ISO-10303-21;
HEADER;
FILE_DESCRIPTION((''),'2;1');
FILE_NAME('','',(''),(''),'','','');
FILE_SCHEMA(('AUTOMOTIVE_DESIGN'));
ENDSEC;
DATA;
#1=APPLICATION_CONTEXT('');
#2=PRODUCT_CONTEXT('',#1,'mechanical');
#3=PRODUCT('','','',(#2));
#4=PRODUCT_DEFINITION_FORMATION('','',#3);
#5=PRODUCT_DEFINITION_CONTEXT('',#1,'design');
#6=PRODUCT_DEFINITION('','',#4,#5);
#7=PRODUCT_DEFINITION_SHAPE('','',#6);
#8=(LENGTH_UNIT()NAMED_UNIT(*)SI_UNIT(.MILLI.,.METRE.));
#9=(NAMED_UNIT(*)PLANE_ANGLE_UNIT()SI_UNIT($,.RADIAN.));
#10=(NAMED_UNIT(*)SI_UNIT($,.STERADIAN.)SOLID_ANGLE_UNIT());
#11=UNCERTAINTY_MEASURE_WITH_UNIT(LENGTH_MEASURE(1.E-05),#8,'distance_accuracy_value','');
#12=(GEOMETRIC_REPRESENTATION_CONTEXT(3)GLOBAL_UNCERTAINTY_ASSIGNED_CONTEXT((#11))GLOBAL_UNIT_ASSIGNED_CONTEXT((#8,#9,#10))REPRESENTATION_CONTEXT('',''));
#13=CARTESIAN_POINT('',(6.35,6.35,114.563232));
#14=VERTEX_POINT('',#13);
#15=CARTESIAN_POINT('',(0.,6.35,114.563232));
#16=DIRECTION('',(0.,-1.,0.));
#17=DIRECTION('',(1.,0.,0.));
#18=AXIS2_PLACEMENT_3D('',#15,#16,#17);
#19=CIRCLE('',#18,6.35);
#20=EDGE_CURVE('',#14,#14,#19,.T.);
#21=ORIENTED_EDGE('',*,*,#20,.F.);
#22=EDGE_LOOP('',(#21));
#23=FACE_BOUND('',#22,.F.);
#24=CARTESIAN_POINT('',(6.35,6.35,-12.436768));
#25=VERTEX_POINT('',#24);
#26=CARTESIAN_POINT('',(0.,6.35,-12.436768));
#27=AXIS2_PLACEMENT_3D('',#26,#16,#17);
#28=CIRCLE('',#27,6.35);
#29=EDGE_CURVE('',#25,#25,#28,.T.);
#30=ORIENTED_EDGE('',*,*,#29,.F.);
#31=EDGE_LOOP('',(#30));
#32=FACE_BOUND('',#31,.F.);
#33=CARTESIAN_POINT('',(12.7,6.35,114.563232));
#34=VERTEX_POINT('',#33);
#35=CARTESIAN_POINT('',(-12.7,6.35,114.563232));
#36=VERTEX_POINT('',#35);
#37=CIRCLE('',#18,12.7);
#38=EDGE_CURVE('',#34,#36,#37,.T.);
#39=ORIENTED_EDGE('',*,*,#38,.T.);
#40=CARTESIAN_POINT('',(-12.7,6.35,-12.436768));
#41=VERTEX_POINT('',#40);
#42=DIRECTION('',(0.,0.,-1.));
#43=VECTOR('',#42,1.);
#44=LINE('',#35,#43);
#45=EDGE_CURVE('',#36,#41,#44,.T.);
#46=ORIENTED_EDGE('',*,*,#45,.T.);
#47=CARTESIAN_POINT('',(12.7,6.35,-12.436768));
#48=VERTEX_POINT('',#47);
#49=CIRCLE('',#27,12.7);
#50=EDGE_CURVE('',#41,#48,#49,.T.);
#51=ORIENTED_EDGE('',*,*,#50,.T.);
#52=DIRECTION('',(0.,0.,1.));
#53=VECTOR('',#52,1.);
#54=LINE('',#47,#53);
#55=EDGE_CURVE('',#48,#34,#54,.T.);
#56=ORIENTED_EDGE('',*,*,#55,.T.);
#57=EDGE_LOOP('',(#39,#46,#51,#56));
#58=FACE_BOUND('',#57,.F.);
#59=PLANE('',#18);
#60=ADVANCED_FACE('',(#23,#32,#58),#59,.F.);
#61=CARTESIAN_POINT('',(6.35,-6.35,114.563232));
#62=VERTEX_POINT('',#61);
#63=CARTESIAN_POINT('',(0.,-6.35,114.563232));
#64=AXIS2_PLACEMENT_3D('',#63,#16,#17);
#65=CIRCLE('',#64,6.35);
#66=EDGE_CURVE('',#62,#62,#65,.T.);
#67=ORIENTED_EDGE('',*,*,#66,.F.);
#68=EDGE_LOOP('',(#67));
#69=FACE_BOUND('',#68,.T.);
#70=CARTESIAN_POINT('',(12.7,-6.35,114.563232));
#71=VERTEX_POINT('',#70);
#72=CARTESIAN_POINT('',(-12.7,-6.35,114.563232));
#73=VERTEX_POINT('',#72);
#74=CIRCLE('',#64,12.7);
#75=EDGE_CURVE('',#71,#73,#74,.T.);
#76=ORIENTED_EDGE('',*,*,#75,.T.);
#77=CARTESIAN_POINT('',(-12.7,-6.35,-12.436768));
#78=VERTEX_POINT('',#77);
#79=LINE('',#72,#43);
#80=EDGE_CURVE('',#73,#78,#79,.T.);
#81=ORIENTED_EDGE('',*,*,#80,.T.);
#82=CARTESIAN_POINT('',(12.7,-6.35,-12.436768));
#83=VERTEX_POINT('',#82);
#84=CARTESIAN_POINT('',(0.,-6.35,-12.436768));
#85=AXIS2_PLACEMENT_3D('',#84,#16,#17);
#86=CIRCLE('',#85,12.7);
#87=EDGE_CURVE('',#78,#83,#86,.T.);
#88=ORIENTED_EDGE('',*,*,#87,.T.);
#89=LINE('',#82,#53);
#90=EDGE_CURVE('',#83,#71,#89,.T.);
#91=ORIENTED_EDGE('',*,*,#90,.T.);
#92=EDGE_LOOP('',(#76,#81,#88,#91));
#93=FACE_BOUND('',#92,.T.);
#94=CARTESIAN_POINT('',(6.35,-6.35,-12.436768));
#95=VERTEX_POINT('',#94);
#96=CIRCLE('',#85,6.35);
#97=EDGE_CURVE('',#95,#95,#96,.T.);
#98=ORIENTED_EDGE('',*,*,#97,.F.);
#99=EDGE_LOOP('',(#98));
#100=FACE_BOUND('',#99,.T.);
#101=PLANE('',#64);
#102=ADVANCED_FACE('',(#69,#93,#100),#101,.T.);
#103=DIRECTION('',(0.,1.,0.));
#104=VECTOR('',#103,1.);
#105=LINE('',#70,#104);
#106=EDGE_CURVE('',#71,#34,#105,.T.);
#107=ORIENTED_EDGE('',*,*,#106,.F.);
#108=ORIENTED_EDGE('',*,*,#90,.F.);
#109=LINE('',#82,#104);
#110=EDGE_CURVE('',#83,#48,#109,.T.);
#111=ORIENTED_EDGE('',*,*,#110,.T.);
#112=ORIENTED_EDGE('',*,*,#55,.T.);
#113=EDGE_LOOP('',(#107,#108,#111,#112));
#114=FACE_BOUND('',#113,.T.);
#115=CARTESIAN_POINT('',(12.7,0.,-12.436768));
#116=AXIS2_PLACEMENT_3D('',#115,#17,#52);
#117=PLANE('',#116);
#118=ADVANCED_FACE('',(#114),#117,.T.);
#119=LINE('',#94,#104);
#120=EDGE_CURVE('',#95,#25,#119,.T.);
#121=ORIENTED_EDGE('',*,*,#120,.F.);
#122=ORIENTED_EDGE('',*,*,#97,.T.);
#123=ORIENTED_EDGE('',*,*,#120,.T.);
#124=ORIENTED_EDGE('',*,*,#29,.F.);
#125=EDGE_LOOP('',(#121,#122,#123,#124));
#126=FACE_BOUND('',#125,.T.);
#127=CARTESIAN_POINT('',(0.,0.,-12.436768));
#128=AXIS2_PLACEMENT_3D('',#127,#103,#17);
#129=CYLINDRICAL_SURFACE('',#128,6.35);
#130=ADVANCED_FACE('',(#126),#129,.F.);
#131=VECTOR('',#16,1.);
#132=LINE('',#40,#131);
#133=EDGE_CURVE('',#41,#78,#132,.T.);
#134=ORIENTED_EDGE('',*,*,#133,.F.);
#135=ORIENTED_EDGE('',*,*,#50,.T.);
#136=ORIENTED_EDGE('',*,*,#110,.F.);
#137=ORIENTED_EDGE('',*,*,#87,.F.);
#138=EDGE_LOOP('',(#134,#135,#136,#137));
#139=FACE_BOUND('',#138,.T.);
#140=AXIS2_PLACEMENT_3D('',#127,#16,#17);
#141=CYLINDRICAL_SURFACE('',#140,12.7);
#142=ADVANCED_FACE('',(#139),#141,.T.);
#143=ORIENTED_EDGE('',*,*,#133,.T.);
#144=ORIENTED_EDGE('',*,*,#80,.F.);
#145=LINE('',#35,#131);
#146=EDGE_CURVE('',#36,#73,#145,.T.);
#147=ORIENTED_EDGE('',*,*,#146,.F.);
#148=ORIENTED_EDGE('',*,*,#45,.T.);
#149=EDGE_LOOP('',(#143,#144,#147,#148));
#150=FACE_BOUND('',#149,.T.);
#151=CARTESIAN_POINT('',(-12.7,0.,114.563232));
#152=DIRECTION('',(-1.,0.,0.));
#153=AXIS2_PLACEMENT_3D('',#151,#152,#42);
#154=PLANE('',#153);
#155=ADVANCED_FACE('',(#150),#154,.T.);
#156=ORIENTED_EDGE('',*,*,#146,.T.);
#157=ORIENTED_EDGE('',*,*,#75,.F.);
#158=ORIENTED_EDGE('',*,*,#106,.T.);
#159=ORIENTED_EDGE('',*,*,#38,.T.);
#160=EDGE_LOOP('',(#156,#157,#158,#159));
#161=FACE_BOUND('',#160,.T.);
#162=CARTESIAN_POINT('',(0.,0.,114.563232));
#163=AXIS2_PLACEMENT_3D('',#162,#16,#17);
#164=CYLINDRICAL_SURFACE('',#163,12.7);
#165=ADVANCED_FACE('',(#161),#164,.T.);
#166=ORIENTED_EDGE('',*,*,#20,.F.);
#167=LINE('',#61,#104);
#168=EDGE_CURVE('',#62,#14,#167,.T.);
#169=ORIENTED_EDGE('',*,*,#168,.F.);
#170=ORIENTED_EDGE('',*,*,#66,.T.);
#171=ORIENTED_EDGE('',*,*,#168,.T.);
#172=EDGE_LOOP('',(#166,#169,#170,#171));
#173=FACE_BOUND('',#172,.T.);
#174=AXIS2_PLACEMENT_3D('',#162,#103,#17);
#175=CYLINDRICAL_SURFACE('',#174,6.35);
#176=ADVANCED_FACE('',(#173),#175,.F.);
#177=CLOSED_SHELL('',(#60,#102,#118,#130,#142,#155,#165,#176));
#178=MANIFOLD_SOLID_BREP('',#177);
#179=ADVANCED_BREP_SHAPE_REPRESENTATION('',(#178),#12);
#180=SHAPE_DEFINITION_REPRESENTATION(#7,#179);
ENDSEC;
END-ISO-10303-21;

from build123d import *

# Parameters (mm, degrees)
F0_R     = 6.35
F1_DEPTH = 6.35


with BuildPart() as f1:
    # F0 (on Front) → F1 (new body, symmetric)
    with BuildSketch(Plane.XZ):
        with BuildLine():
            ThreePointArc((-12.7, 114.563232), (0, 101.863232), (12.7, 114.563232))
            ThreePointArc((12.7, 114.563232), (0, 127.263232), (-12.7, 114.563232))
        make_face()
        with Locations((0, 114.563232)):
            Circle(F0_R, mode=Mode.SUBTRACT)
        with BuildLine():
            Line((12.7, -12.436768), (12.7, 114.563232))
            ThreePointArc((12.7, 114.563232), (0, 101.863232), (-12.7, 114.563232))
            Line((-12.7, 114.563232), (-12.7, -12.436768))
            ThreePointArc((-12.7, -12.436768), (0, 0.263232), (12.7, -12.436768))
        make_face()
        with BuildLine():
            ThreePointArc((-12.7, -12.436768), (0, -25.136768), (12.7, -12.436768))
            ThreePointArc((12.7, -12.436768), (0, 0.263232), (-12.7, -12.436768))
        make_face()
        with Locations((0, -12.436768)):
            Circle(F0_R, mode=Mode.SUBTRACT)
    extrude(amount=F1_DEPTH, both=True)


solid = f1.part
